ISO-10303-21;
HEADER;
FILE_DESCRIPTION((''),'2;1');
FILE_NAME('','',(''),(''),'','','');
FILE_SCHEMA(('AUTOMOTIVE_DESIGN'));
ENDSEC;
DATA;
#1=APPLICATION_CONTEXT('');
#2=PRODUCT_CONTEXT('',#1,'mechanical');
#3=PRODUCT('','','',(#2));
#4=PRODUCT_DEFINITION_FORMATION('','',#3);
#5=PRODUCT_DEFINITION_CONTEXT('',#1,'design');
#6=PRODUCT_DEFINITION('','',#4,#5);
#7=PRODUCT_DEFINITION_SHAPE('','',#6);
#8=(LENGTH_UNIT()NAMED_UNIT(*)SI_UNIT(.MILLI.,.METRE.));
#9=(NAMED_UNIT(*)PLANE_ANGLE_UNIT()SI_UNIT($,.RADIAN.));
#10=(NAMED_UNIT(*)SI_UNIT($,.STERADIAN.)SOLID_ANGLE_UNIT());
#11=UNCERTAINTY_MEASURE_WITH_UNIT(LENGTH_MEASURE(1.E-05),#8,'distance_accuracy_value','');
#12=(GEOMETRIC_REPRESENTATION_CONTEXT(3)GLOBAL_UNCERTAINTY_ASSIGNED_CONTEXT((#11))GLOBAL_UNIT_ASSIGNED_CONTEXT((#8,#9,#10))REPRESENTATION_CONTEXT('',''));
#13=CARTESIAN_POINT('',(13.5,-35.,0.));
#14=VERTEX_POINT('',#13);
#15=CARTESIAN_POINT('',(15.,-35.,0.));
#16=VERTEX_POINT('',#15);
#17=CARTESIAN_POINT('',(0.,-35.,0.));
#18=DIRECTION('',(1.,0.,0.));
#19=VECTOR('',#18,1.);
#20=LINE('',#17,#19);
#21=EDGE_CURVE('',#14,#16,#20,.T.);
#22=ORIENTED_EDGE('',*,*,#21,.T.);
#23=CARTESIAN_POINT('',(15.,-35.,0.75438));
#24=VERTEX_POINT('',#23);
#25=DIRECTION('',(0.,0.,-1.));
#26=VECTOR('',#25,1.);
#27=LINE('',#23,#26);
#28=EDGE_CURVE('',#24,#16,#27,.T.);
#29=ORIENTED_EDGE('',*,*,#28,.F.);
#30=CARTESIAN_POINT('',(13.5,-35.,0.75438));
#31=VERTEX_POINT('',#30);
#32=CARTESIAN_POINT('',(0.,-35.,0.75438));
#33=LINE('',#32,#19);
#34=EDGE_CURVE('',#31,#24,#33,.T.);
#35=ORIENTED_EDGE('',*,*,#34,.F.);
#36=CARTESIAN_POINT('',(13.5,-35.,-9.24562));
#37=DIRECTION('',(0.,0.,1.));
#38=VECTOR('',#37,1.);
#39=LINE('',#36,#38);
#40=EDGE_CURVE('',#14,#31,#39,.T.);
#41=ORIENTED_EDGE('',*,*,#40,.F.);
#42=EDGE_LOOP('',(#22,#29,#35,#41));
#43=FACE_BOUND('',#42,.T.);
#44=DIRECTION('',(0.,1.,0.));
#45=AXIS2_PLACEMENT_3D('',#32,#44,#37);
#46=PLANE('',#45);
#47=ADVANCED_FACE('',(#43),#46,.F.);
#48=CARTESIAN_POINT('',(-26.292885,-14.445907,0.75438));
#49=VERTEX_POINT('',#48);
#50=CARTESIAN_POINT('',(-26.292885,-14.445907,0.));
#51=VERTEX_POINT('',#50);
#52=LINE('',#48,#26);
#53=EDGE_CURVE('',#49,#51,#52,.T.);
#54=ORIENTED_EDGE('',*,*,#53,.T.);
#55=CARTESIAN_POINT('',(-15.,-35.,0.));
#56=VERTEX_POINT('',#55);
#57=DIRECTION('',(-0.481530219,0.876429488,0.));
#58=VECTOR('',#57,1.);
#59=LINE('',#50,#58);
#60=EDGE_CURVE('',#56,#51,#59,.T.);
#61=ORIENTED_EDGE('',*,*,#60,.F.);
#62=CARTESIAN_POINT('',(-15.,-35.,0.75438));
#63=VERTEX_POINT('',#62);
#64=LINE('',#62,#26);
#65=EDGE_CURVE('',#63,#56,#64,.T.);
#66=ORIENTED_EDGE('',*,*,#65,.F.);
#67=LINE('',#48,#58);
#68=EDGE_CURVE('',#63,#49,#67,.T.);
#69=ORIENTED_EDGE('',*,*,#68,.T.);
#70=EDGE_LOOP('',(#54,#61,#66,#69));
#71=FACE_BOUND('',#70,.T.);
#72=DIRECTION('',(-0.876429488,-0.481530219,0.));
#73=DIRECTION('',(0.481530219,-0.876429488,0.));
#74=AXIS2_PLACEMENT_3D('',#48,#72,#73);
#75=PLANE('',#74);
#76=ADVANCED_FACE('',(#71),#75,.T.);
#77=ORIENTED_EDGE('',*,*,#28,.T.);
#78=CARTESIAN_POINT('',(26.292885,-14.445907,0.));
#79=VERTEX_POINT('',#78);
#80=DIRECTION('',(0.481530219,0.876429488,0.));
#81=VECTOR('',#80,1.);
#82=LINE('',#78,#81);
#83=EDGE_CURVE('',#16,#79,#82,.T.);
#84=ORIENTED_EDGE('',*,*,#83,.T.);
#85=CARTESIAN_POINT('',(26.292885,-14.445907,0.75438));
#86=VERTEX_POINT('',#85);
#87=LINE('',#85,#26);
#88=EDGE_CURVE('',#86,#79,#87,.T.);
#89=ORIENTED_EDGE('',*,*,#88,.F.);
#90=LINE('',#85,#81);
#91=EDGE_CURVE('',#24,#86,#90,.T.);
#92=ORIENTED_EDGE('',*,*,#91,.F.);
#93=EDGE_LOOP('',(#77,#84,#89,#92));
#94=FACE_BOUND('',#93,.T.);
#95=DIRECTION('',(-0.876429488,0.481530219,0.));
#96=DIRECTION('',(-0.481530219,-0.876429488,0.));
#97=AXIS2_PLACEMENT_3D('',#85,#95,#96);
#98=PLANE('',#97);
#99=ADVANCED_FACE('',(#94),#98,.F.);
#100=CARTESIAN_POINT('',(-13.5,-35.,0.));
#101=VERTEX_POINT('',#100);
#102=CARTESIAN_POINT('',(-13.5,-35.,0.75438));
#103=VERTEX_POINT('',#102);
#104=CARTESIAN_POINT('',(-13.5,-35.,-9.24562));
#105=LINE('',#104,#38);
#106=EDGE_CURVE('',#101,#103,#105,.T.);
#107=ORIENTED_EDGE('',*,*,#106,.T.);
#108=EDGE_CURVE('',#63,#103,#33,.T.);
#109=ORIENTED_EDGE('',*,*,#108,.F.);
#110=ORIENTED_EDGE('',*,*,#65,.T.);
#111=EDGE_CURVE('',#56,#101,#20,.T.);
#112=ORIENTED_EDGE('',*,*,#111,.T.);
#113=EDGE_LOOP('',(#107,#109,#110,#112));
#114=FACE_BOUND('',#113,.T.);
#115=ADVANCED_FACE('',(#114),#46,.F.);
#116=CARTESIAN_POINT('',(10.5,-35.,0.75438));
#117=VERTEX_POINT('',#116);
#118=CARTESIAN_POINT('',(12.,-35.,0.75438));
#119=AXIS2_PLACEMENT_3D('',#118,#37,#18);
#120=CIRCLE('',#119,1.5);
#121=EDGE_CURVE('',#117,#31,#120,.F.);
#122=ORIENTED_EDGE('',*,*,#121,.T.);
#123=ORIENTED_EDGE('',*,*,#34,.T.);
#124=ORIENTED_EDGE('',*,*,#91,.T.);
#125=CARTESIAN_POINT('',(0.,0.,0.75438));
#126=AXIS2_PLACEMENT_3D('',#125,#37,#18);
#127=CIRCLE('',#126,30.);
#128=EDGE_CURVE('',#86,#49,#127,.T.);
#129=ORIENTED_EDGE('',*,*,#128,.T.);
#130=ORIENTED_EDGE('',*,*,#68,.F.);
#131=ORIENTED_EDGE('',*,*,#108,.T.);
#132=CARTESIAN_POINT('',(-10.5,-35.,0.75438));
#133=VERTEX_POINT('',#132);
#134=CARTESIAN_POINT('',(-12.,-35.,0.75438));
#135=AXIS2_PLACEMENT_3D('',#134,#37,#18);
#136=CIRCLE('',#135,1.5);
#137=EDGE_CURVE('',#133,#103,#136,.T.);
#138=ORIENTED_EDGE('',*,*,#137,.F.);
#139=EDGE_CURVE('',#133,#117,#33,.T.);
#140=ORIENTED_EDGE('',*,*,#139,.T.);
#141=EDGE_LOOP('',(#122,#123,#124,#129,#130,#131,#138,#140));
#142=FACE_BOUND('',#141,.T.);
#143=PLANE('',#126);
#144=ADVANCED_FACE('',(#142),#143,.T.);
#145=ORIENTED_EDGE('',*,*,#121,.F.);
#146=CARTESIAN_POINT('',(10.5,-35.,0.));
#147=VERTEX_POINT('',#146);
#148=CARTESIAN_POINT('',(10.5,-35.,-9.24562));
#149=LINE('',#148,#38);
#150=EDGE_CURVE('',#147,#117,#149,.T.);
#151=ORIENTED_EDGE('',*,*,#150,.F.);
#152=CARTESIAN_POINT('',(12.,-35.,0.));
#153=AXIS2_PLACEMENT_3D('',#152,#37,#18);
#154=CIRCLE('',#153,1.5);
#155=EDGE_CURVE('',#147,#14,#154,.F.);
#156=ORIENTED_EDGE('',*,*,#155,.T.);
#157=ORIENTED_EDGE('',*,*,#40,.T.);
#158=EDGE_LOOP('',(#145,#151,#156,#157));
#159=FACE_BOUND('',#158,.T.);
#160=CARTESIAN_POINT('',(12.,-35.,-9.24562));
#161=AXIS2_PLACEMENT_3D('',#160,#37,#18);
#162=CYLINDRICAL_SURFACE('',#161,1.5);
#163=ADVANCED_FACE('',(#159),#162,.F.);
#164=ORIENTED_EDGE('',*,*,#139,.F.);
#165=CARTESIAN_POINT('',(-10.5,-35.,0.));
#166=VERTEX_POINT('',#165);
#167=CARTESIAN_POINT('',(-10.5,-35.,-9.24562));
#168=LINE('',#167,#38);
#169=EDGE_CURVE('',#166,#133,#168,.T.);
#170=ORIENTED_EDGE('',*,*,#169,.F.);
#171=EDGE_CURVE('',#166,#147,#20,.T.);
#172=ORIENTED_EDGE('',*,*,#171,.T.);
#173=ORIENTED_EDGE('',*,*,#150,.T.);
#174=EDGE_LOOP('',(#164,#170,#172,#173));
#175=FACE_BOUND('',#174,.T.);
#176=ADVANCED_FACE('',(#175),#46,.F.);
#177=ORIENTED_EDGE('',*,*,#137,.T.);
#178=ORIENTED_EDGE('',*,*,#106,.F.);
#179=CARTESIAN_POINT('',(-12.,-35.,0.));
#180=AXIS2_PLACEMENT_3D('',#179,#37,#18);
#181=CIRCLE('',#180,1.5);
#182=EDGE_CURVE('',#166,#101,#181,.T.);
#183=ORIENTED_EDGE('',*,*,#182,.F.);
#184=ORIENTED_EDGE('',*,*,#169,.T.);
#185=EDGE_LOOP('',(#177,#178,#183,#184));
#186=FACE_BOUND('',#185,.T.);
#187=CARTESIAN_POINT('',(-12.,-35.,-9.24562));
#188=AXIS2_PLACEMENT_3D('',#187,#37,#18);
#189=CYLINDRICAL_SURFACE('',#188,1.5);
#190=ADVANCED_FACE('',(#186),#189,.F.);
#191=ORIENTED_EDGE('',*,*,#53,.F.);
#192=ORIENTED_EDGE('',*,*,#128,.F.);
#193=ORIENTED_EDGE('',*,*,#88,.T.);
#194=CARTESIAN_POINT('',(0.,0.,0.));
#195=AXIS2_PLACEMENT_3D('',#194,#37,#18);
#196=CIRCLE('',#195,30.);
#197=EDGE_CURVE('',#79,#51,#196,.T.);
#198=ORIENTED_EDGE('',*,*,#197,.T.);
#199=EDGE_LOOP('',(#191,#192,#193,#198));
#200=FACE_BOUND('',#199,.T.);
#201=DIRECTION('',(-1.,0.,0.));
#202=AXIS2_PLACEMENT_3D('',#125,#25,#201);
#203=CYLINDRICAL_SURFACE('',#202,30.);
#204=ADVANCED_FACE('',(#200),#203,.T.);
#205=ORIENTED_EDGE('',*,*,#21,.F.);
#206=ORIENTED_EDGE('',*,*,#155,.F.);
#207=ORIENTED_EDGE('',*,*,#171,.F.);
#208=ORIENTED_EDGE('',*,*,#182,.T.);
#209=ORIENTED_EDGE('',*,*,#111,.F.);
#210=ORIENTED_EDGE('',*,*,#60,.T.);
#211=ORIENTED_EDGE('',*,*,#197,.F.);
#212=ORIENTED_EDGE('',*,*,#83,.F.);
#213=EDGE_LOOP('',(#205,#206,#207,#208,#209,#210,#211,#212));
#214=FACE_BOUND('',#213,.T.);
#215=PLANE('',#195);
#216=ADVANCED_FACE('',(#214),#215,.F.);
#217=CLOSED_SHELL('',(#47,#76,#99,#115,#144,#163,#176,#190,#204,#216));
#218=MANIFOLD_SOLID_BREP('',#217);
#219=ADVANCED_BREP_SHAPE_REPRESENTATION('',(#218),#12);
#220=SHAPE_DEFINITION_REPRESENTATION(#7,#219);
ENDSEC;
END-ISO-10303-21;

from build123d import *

# Parameters (mm, degrees)
BOSS_EXTRUDE1_DEPTH   = 0.75438
CORTE_EXTRUS_O1_DEPTH = 10


with BuildPart() as part:
    # Sketch1 → Boss-Extrude1 (new body)
    with BuildSketch(Plane.XY):
        with BuildLine():
            Line((-26.292884648, -14.44590658), (-15, -35))
            Line((-15, -35), (-7.5, -35))
            Line((-7.5, -35), (15, -35))
            Line((15, -35), (26.292884648, -14.44590658))
            ThreePointArc((26.292884648, -14.44590658), (0, 30), (-26.292884648, -14.44590658))
        make_face()
    extrude(amount=BOSS_EXTRUDE1_DEPTH)

    # Esboço1 → Corte-extrusão1 (cut)
    with BuildSketch(Plane.XY.offset(0.75438)):
        with BuildLine():
            ThreePointArc((13.5, -35), (12, -33.5), (10.5, -35))
            Line((10.5, -35), (13.5, -35))
        make_face()
        with BuildLine():
            Line((13.5, -35), (10.5, -35))
            ThreePointArc((10.5, -35), (12, -36.5), (13.5, -35))
        make_face()
        with BuildLine():
            ThreePointArc((-10.5, -35), (-12, -33.5), (-13.5, -35))
            Line((-13.5, -35), (-12, -35))
            Line((-12, -35), (-10.5, -35))
        make_face()
        with BuildLine():
            Line((-12, -35), (-13.5, -35))
            ThreePointArc((-13.5, -35), (-12, -36.5), (-10.5, -35))
            Line((-10.5, -35), (-12, -35))
        make_face()
    extrude(amount=-CORTE_EXTRUS_O1_DEPTH, mode=Mode.SUBTRACT)


solid = part.part
